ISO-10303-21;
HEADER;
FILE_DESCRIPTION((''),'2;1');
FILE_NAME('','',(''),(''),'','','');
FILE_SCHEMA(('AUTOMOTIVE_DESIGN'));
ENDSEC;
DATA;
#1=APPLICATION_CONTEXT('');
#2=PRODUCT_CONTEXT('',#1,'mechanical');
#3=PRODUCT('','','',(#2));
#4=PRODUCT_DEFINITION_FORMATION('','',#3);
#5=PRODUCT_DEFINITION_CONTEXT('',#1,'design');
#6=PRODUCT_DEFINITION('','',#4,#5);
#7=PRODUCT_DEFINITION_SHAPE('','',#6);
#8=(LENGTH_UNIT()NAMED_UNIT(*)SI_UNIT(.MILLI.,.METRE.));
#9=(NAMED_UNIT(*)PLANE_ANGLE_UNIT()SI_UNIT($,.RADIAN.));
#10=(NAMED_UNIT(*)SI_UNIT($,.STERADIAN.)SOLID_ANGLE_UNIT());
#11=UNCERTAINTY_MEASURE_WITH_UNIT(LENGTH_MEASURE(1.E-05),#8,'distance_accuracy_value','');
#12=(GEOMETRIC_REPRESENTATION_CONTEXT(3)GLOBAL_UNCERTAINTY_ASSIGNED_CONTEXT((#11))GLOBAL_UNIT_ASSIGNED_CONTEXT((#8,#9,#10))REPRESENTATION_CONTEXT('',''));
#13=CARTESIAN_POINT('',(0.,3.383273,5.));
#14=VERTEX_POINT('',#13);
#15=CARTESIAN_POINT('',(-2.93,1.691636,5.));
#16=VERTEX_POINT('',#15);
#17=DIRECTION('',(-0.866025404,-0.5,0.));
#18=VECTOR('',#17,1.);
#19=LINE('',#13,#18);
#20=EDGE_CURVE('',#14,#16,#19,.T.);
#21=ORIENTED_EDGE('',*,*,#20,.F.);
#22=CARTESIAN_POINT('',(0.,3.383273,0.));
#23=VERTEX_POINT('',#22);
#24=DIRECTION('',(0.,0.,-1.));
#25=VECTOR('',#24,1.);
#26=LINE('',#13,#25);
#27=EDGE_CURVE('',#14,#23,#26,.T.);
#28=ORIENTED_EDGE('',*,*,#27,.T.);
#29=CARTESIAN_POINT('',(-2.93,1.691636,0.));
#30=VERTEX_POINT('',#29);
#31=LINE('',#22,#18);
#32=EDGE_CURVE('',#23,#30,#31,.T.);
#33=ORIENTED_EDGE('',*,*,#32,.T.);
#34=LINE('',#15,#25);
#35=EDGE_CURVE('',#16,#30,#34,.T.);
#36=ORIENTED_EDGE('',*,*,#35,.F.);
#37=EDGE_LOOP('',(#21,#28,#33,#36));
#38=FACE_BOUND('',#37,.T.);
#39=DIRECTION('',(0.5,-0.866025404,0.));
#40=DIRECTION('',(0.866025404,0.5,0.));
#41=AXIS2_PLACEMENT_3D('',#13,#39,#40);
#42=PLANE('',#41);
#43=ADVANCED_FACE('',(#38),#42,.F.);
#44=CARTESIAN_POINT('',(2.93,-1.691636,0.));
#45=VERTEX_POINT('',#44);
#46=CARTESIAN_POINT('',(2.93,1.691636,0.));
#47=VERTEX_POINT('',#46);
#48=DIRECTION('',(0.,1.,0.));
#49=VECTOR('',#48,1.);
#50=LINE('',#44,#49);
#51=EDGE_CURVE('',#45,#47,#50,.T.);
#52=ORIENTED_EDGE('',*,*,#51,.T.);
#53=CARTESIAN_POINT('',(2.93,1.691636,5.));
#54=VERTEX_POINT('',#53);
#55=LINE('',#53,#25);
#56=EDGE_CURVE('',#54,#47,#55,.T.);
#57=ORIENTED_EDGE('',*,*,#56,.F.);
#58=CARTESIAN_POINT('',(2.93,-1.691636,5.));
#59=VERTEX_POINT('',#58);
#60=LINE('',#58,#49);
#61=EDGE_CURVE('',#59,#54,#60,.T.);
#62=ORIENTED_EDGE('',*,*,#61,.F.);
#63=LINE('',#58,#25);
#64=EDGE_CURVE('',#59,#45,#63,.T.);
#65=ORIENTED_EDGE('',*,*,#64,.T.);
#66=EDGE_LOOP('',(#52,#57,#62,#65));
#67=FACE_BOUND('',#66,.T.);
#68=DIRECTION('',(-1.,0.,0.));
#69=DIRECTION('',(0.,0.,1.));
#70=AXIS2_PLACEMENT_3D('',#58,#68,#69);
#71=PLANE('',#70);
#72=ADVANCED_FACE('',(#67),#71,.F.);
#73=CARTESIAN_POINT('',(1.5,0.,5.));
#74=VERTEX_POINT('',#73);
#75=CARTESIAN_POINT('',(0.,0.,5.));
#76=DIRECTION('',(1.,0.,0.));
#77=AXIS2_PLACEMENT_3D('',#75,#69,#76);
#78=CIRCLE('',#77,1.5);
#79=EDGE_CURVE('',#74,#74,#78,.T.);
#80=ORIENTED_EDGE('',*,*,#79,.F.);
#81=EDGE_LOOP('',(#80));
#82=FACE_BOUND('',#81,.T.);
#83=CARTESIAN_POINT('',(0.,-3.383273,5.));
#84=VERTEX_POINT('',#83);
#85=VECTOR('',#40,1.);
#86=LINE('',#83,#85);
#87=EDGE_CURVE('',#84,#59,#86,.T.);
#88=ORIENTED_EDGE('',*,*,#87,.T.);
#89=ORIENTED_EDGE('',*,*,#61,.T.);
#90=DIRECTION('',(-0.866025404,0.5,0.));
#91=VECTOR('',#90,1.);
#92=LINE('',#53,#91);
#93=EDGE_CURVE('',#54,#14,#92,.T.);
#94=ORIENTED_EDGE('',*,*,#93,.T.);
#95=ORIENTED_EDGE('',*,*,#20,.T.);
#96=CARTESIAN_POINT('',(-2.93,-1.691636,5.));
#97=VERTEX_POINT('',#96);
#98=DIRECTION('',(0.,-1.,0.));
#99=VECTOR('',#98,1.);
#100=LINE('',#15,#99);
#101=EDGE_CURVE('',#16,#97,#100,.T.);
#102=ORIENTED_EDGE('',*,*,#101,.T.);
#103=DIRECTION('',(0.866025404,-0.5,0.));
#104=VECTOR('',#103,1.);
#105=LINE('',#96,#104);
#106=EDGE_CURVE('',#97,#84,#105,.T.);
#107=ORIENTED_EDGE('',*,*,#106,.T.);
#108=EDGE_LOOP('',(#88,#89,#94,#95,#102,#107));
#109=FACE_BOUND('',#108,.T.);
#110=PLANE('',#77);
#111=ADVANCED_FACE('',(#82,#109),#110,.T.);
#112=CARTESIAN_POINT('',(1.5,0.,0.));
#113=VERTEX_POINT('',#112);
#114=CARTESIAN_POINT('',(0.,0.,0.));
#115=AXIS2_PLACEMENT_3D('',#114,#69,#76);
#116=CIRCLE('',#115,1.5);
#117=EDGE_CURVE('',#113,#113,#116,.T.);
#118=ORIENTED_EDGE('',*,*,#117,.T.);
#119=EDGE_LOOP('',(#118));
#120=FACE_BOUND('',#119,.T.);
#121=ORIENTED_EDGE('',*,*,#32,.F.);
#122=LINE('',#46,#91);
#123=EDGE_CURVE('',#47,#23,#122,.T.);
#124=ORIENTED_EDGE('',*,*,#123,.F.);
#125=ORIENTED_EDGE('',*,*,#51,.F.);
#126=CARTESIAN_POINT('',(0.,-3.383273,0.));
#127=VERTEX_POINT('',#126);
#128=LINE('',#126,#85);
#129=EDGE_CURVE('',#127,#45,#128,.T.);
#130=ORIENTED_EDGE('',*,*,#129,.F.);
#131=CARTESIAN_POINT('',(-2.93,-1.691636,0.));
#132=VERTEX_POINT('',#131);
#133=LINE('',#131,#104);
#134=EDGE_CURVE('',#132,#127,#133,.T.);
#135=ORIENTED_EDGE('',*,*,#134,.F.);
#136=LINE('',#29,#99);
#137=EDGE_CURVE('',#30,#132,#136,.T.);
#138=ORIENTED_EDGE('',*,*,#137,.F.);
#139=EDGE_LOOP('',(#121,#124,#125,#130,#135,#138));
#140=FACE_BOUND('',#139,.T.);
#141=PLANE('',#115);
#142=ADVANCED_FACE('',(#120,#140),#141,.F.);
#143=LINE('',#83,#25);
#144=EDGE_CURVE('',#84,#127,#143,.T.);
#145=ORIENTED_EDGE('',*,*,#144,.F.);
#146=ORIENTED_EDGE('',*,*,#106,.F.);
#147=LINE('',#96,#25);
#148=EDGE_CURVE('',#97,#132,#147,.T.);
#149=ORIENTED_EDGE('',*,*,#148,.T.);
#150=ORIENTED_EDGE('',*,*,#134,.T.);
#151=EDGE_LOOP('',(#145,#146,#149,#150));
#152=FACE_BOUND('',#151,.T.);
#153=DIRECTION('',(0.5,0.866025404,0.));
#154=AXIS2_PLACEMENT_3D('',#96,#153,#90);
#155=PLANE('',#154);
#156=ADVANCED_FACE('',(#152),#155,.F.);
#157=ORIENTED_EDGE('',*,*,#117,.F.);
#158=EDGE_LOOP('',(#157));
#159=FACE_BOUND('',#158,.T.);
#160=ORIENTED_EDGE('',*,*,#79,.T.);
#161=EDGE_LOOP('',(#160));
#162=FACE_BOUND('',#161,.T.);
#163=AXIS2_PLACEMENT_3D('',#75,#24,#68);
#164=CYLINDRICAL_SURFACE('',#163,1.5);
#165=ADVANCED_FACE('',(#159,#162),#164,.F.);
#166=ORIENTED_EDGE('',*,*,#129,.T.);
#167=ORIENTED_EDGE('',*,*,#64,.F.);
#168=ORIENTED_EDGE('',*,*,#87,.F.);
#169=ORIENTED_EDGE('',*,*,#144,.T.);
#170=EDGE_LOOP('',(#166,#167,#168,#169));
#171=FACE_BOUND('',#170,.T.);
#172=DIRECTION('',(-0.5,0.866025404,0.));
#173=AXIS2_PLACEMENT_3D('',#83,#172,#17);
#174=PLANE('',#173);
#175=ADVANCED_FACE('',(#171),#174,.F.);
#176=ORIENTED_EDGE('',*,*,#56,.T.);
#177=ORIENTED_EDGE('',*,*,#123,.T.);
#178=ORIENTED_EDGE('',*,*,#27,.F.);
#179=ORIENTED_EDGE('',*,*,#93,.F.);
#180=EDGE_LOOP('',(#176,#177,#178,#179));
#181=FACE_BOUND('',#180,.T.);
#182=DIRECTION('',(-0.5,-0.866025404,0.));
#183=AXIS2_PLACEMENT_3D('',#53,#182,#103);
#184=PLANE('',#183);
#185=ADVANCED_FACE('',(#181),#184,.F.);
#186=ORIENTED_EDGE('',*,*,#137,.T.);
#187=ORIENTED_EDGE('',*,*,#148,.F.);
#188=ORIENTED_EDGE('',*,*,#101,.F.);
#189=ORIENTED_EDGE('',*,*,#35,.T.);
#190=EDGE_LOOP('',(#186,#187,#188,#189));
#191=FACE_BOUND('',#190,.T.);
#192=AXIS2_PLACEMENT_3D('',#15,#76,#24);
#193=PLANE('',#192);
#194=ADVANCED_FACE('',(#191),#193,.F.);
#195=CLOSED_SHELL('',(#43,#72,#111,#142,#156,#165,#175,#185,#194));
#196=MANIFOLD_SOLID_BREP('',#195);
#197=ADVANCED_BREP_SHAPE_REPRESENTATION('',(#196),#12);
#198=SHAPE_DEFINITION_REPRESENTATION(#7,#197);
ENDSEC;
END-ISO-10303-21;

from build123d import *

# Parameters (mm, degrees)
ESQUISSE1_R        = 1.5
BOSS_EXTRU_1_DEPTH = 5


with BuildPart() as part:
    # Esquisse1 → Boss.-Extru.1 (new body)
    with BuildSketch(Plane.XY):
        Polygon((0, -3.383272577), (2.93, -1.691636289), (2.93, 1.691636289), (0, 3.383272577), (-2.93, 1.691636289), (-2.93, -1.691636289), align=None)
        Circle(ESQUISSE1_R, mode=Mode.SUBTRACT)
    extrude(amount=BOSS_EXTRU_1_DEPTH)


solid = part.part
